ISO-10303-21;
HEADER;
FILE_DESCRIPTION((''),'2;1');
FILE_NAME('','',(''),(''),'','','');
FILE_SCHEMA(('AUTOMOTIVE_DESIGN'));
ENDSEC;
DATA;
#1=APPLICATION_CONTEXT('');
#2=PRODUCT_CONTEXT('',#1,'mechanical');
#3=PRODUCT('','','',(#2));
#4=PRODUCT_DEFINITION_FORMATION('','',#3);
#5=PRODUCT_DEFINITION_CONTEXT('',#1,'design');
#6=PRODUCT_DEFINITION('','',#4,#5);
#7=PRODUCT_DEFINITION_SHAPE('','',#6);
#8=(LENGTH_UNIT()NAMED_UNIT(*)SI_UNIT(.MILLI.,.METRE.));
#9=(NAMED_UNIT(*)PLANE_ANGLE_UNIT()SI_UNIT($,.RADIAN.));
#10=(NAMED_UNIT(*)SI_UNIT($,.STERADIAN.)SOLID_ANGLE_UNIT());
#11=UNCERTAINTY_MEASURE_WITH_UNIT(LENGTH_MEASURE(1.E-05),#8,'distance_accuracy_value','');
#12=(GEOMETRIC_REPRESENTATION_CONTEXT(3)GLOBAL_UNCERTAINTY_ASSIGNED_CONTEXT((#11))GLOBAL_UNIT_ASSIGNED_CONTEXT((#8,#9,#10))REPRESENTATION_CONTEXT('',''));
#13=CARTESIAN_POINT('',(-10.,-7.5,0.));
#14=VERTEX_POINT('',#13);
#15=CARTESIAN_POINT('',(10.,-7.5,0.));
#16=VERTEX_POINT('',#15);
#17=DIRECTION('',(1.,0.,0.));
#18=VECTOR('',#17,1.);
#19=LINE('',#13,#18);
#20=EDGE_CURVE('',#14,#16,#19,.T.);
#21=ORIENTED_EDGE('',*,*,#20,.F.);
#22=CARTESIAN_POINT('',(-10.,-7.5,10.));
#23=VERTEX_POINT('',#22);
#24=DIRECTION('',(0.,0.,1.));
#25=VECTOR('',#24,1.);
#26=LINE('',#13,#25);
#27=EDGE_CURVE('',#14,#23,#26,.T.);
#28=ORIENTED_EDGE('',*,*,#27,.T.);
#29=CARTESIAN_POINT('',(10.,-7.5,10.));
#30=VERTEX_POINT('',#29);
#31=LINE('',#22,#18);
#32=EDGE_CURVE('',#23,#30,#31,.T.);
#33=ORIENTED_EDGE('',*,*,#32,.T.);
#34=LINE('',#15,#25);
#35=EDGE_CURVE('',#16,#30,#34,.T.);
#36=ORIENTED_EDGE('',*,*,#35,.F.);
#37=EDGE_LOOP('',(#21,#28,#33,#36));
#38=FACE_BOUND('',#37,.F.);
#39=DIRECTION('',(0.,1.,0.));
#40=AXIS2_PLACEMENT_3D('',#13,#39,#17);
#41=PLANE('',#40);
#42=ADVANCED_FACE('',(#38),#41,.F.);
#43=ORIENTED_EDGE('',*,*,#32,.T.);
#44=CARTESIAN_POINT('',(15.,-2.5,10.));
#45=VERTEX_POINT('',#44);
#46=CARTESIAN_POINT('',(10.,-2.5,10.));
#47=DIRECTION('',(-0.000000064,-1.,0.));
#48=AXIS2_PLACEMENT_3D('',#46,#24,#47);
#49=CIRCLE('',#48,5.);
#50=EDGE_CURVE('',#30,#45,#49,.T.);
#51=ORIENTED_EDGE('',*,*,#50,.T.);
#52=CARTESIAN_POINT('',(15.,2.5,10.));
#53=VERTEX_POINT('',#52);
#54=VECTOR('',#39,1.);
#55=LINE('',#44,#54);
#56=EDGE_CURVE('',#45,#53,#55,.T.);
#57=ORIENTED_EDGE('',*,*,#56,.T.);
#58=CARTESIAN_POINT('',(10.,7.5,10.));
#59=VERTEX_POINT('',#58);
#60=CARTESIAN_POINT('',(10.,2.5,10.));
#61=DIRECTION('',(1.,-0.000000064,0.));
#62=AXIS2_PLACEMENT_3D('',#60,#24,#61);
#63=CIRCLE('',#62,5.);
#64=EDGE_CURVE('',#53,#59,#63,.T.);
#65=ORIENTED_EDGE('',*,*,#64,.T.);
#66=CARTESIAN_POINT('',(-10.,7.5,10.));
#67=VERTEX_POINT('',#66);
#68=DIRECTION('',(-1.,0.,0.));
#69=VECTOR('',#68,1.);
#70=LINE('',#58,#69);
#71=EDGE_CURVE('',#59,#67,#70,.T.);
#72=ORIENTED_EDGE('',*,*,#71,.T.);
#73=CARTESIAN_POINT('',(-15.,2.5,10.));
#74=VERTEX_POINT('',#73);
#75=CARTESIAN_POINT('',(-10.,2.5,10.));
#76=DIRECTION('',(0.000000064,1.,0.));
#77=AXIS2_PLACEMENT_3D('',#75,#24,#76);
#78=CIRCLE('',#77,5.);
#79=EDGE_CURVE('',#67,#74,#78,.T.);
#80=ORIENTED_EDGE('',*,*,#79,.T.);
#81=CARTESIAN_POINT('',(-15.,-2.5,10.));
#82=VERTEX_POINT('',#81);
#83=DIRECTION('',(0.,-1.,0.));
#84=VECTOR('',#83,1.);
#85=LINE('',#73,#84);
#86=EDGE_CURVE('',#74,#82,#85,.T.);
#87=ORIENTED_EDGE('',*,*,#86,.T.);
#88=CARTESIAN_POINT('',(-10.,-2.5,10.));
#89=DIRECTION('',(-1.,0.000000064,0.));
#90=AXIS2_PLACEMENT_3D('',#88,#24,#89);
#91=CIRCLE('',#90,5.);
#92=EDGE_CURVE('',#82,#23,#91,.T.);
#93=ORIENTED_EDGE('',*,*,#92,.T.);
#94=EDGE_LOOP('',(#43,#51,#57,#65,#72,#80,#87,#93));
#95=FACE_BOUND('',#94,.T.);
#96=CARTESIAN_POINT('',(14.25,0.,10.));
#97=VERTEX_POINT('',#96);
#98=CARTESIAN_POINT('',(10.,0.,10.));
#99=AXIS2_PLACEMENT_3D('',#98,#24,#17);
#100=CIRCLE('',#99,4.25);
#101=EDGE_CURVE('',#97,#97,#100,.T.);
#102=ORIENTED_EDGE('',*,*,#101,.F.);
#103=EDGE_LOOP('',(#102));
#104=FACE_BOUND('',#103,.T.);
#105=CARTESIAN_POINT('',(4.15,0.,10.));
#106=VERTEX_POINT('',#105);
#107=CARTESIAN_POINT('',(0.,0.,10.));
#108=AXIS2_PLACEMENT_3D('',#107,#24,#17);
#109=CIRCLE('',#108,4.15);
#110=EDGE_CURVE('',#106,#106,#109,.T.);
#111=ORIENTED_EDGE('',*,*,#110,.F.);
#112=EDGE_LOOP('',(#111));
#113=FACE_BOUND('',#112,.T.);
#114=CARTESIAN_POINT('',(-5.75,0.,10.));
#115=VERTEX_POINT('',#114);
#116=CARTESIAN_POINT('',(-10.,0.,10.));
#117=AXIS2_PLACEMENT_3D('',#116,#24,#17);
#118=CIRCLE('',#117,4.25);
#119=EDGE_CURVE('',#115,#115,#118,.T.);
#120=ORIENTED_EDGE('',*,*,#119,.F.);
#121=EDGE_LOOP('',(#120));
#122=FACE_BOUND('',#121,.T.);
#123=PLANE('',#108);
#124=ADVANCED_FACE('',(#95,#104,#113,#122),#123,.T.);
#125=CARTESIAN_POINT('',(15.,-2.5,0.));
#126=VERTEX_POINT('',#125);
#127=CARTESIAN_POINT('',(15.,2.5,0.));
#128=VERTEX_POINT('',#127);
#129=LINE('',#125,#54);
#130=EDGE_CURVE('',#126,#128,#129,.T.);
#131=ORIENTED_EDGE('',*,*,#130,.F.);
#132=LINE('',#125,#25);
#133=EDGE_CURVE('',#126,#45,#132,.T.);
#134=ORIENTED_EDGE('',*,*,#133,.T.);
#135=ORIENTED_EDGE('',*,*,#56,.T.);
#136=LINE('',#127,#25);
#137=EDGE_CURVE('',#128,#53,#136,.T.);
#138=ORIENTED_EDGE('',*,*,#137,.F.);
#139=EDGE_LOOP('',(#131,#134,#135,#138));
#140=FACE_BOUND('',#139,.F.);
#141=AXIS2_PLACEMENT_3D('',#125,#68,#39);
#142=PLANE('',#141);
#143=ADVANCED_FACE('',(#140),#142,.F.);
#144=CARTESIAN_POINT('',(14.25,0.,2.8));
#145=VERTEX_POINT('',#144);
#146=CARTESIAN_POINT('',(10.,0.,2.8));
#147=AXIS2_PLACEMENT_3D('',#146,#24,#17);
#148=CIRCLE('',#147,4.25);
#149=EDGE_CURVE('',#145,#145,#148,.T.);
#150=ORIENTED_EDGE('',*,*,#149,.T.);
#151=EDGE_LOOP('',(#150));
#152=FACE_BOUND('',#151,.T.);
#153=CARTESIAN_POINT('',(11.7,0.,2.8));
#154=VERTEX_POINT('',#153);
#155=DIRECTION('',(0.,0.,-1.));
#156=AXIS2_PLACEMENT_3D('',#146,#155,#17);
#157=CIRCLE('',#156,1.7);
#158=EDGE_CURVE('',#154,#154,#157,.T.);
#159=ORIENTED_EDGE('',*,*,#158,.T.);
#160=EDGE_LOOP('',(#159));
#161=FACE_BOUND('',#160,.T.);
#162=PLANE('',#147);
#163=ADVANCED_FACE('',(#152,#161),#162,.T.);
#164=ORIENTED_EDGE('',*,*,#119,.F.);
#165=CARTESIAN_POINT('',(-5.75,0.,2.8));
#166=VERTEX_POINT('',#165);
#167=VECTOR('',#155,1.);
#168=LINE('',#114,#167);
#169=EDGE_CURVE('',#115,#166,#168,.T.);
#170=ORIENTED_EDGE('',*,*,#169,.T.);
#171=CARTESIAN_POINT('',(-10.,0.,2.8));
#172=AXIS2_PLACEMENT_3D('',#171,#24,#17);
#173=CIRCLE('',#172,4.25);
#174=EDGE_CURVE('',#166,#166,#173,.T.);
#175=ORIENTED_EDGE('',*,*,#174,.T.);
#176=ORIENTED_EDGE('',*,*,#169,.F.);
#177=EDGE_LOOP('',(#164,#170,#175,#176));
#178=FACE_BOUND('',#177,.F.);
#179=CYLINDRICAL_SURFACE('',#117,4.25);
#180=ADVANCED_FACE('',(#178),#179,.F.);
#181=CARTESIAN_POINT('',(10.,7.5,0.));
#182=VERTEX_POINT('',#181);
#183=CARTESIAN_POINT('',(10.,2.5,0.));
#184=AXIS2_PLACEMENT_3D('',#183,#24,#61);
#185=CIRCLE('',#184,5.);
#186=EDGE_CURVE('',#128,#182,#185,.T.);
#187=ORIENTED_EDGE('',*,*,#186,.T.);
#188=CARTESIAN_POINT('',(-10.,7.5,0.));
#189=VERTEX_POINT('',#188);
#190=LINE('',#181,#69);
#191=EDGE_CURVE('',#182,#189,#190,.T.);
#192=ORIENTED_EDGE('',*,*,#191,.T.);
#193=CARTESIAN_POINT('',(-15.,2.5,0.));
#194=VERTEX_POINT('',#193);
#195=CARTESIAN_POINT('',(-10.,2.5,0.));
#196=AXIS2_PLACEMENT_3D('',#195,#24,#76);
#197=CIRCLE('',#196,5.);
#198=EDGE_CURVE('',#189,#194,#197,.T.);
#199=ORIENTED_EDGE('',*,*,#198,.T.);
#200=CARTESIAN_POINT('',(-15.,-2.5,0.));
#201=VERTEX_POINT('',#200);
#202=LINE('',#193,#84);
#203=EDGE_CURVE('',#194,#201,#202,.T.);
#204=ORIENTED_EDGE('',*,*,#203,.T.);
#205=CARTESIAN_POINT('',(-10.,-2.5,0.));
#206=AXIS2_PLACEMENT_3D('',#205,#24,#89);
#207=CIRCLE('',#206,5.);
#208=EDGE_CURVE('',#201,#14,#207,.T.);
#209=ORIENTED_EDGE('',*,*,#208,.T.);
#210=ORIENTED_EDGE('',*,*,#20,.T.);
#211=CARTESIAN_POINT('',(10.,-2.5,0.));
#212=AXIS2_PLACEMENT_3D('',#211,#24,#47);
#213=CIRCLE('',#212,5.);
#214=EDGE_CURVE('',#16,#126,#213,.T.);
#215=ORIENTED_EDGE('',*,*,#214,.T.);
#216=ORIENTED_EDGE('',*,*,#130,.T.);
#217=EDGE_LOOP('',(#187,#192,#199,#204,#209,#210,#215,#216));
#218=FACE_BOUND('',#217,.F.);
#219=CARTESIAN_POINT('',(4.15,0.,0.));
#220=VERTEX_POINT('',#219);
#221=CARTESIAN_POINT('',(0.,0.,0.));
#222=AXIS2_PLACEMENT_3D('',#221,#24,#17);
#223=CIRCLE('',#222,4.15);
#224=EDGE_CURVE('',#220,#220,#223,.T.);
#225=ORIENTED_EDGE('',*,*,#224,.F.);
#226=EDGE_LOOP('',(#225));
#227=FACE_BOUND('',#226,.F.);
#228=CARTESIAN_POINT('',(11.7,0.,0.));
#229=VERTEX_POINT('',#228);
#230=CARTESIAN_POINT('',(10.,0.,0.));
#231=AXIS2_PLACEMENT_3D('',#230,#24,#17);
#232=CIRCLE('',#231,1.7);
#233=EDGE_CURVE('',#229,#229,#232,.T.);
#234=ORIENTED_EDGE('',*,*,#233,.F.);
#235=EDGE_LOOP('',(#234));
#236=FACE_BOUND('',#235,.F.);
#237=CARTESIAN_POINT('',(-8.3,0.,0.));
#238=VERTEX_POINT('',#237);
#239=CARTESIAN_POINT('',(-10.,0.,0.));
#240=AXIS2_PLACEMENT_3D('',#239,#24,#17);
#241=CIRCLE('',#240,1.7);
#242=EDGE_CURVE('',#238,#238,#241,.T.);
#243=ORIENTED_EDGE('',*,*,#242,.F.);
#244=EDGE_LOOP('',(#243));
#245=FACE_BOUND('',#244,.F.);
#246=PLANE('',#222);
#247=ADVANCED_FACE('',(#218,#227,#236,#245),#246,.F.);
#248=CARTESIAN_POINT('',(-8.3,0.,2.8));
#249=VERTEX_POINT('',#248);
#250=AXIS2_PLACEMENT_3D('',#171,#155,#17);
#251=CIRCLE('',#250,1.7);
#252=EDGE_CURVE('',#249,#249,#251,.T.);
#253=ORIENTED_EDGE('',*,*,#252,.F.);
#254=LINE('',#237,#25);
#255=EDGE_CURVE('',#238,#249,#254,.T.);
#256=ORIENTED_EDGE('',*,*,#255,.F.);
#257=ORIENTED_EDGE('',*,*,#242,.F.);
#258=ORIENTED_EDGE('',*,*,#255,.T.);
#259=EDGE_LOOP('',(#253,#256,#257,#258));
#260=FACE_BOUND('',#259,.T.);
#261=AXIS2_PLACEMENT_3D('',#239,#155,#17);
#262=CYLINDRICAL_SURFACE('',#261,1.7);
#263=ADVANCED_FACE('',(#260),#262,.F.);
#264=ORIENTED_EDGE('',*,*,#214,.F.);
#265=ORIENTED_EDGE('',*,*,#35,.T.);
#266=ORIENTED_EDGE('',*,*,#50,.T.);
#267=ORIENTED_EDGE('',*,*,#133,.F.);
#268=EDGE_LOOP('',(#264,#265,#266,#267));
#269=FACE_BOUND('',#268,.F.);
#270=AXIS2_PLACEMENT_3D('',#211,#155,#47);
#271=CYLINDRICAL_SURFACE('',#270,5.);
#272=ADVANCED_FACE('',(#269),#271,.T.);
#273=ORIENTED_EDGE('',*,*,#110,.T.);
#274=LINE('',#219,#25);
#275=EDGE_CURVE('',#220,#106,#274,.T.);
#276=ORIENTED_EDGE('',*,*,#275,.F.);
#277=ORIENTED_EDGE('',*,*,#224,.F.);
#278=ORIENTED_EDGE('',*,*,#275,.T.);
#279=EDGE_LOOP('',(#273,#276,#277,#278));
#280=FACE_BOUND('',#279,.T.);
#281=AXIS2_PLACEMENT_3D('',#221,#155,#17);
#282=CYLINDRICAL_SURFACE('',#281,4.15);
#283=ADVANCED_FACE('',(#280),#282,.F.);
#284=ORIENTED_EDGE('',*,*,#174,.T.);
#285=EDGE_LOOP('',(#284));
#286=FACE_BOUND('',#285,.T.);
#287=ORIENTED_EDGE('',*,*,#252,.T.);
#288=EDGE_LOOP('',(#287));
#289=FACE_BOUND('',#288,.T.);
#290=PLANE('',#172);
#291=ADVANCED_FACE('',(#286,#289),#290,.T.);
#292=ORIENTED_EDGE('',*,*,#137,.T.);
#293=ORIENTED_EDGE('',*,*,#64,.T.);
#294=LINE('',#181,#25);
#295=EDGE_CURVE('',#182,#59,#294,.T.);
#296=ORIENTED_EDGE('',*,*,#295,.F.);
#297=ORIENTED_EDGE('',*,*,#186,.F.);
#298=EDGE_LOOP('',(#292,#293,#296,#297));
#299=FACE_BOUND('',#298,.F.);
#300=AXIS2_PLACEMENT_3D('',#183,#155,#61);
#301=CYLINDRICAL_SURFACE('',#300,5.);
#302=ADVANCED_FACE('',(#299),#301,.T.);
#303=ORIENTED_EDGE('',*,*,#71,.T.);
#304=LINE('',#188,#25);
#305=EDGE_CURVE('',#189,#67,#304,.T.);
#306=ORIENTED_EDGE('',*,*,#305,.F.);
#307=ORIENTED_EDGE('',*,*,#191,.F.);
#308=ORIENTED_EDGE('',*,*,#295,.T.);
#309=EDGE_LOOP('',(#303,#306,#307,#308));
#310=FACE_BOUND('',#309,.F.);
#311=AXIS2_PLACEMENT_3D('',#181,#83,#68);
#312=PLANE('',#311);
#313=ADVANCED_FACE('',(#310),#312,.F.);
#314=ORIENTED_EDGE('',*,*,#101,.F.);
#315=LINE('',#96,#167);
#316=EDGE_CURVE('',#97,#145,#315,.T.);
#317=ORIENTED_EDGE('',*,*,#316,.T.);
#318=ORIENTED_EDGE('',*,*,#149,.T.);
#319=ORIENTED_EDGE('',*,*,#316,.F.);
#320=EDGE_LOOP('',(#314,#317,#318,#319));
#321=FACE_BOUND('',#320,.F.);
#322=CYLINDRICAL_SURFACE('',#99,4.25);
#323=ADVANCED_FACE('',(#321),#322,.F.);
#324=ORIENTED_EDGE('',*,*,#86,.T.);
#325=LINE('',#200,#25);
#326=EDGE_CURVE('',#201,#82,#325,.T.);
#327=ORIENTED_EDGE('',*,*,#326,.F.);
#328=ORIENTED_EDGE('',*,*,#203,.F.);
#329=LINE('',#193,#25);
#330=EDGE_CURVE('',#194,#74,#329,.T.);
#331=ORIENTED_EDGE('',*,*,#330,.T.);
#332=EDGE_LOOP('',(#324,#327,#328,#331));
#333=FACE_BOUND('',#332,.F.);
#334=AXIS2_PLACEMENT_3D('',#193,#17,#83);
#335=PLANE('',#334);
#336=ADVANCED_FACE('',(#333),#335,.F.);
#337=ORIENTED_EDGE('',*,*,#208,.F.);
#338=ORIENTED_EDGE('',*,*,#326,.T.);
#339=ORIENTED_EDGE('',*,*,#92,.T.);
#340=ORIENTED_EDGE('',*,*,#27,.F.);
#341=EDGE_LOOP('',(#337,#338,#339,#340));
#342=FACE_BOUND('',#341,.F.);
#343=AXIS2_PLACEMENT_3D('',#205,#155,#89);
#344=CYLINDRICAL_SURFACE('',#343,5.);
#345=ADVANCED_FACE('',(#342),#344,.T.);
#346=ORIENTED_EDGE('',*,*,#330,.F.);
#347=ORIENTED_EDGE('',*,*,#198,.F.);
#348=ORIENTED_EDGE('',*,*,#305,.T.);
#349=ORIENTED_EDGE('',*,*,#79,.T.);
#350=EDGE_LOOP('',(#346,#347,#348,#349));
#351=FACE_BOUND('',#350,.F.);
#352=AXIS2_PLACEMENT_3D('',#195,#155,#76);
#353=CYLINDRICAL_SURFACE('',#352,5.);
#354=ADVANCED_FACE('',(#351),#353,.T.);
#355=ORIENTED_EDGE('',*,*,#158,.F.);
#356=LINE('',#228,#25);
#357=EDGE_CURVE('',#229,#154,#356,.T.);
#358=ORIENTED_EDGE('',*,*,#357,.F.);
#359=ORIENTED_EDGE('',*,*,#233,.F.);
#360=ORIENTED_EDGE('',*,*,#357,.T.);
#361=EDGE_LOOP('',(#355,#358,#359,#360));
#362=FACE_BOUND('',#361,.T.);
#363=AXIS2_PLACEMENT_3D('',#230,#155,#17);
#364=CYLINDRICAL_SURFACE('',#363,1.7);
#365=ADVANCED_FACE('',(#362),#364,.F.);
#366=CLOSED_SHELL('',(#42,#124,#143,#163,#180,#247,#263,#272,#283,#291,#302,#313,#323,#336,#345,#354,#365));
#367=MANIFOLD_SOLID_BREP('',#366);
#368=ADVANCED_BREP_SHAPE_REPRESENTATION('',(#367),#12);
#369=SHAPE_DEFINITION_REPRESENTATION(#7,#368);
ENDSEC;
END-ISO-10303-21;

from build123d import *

# Parameters (mm, degrees)
F0_R     = 1.7
F0_R_2   = 4.15
F1_DEPTH = 10
F2_R     = 4.25
F3_DEPTH = 7.2


with BuildPart() as f1:
    # F0 (on Top) → F1 (new body)
    with BuildSketch(Plane.XY):
        with BuildLine():
            Line((-10, -7.5), (10, -7.5))
            ThreePointArc((10, -7.5), (13.535534, -6.035534), (15, -2.5))
            Line((15, -2.5), (15, 2.5))
            ThreePointArc((15, 2.5), (13.535534, 6.035534), (10, 7.5))
            Line((10, 7.5), (-10, 7.5))
            ThreePointArc((-10, 7.5), (-13.535534, 6.035534), (-15, 2.5))
            Line((-15, 2.5), (-15, -2.5))
            ThreePointArc((-15, -2.5), (-13.535534, -6.035534), (-10, -7.5))
        make_face()
        with Locations((-10, 0)):
            Circle(F0_R, mode=Mode.SUBTRACT)
        Circle(F0_R_2, mode=Mode.SUBTRACT)
        with Locations((10, 0)):
            Circle(F0_R, mode=Mode.SUBTRACT)
    extrude(amount=F1_DEPTH)

    # F2 (on face) → F3 (cut)
    with BuildSketch(Plane.XY.offset(10)):
        with Locations((-10, 0)):
            Circle(F2_R)
        with Locations((10, 0)):
            Circle(F2_R)
    extrude(amount=-F3_DEPTH, mode=Mode.SUBTRACT)


solid = f1.part
